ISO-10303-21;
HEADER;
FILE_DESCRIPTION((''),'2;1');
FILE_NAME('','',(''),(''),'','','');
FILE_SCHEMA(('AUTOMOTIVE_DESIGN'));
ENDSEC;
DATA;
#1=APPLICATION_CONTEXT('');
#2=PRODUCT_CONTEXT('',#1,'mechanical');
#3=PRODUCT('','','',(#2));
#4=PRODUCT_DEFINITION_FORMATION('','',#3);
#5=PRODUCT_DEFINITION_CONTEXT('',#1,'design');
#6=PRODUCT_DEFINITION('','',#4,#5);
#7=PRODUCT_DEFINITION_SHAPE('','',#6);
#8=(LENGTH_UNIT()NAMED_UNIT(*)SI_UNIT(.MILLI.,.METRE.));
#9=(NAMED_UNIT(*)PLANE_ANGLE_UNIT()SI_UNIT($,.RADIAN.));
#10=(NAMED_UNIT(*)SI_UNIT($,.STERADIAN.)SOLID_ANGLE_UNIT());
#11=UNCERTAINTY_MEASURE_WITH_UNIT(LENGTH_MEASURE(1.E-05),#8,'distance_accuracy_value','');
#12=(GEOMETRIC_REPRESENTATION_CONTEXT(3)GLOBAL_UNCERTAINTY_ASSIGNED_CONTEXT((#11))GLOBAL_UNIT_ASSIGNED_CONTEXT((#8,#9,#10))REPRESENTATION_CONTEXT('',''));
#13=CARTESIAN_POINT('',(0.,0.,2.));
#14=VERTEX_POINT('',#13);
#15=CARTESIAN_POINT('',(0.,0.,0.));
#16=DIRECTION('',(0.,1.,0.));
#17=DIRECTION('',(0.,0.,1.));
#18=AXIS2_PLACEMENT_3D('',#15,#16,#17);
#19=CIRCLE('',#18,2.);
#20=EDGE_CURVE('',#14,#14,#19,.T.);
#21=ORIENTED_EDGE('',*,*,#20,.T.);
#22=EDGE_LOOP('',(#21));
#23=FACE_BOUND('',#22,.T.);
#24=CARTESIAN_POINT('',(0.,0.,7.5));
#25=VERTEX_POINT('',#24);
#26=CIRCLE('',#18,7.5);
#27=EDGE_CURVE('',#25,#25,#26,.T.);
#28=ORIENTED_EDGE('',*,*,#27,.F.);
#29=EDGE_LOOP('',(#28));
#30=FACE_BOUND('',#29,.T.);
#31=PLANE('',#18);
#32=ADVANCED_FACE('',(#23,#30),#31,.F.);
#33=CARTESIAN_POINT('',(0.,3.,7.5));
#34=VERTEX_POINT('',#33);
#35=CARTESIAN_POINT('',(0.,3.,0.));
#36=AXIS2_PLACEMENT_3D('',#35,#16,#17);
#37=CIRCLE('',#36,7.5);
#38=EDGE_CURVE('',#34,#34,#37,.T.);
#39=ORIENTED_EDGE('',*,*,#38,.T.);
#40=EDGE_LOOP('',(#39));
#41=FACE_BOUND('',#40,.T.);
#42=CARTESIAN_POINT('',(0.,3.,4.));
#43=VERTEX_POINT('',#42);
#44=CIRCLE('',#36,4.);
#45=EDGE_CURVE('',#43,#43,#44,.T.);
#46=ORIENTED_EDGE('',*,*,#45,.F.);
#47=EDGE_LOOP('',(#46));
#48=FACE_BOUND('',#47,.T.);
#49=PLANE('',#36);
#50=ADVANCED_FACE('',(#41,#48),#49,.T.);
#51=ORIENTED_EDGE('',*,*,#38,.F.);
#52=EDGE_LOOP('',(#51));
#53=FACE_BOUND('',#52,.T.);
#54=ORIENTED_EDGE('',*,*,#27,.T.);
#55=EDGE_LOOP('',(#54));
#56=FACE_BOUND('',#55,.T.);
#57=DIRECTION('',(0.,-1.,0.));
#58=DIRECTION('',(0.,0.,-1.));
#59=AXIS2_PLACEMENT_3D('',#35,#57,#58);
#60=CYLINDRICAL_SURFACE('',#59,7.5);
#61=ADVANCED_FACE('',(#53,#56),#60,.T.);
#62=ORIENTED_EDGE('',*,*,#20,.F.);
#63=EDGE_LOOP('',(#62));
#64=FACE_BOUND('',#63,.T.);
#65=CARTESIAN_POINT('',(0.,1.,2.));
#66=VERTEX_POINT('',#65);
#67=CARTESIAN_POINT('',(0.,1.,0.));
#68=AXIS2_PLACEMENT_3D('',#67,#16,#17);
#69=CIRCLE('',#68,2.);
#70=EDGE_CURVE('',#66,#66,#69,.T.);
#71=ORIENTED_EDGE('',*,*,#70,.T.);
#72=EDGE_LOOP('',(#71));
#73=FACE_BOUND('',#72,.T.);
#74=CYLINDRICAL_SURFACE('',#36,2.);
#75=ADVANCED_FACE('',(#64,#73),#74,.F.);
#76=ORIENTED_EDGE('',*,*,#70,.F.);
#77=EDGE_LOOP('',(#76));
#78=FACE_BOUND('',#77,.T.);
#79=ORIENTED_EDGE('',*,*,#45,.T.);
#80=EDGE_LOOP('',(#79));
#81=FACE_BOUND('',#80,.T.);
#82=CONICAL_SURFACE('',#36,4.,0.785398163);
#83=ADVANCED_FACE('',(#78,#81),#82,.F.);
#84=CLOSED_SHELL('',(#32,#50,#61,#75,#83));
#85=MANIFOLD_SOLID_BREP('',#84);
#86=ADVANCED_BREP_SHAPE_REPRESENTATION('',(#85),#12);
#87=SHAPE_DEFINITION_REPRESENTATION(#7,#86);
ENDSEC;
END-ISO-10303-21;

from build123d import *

# Parameters (mm, degrees)
SCHIZZO1_R                                           = 7.5
ESTRUSIONE_ESTRUSIONE1_DEPTH                         = 3
FORO_SVASATO_PER_VITE_M4_A_TESTA_SVASATA_D           = 4
FORO_SVASATO_PER_VITE_M4_A_TESTA_SVASATA_DEPTH       = 9
FORO_SVASATO_PER_VITE_M4_A_TESTA_SVASATA_CSINK_D     = 8
FORO_SVASATO_PER_VITE_M4_A_TESTA_SVASATA_CSINK_ANGLE = 90
FORO_SVASATO_PER_VITE_M4_A_TESTA_SVASATA_TIP         = 1.201721238


with BuildPart() as part:
    # Schizzo1 → Estrusione-Estrusione1 (new body)
    with BuildSketch(Plane(origin=(0, 0, 0), x_dir=(1, 0, 0), z_dir=(0, 1, 0))):
        with Locations(Location((0, 0, 0), (0, 0, 270))):
            Circle(SCHIZZO1_R)
    extrude(amount=ESTRUSIONE_ESTRUSIONE1_DEPTH)

    # Foro svasato per Vite M4 a testa svasata cilindrica1
    with Locations(Plane.ZX.offset(3)):
        with Locations((0, 0)):
            CounterSinkHole(FORO_SVASATO_PER_VITE_M4_A_TESTA_SVASATA_D / 2, FORO_SVASATO_PER_VITE_M4_A_TESTA_SVASATA_CSINK_D / 2, depth=FORO_SVASATO_PER_VITE_M4_A_TESTA_SVASATA_DEPTH, counter_sink_angle=FORO_SVASATO_PER_VITE_M4_A_TESTA_SVASATA_CSINK_ANGLE)
            with Locations((0, 0, -(FORO_SVASATO_PER_VITE_M4_A_TESTA_SVASATA_DEPTH + FORO_SVASATO_PER_VITE_M4_A_TESTA_SVASATA_TIP / 2))):  # 118° drill point
                Cone(0, FORO_SVASATO_PER_VITE_M4_A_TESTA_SVASATA_D / 2, FORO_SVASATO_PER_VITE_M4_A_TESTA_SVASATA_TIP, mode=Mode.SUBTRACT)


solid = part.part
